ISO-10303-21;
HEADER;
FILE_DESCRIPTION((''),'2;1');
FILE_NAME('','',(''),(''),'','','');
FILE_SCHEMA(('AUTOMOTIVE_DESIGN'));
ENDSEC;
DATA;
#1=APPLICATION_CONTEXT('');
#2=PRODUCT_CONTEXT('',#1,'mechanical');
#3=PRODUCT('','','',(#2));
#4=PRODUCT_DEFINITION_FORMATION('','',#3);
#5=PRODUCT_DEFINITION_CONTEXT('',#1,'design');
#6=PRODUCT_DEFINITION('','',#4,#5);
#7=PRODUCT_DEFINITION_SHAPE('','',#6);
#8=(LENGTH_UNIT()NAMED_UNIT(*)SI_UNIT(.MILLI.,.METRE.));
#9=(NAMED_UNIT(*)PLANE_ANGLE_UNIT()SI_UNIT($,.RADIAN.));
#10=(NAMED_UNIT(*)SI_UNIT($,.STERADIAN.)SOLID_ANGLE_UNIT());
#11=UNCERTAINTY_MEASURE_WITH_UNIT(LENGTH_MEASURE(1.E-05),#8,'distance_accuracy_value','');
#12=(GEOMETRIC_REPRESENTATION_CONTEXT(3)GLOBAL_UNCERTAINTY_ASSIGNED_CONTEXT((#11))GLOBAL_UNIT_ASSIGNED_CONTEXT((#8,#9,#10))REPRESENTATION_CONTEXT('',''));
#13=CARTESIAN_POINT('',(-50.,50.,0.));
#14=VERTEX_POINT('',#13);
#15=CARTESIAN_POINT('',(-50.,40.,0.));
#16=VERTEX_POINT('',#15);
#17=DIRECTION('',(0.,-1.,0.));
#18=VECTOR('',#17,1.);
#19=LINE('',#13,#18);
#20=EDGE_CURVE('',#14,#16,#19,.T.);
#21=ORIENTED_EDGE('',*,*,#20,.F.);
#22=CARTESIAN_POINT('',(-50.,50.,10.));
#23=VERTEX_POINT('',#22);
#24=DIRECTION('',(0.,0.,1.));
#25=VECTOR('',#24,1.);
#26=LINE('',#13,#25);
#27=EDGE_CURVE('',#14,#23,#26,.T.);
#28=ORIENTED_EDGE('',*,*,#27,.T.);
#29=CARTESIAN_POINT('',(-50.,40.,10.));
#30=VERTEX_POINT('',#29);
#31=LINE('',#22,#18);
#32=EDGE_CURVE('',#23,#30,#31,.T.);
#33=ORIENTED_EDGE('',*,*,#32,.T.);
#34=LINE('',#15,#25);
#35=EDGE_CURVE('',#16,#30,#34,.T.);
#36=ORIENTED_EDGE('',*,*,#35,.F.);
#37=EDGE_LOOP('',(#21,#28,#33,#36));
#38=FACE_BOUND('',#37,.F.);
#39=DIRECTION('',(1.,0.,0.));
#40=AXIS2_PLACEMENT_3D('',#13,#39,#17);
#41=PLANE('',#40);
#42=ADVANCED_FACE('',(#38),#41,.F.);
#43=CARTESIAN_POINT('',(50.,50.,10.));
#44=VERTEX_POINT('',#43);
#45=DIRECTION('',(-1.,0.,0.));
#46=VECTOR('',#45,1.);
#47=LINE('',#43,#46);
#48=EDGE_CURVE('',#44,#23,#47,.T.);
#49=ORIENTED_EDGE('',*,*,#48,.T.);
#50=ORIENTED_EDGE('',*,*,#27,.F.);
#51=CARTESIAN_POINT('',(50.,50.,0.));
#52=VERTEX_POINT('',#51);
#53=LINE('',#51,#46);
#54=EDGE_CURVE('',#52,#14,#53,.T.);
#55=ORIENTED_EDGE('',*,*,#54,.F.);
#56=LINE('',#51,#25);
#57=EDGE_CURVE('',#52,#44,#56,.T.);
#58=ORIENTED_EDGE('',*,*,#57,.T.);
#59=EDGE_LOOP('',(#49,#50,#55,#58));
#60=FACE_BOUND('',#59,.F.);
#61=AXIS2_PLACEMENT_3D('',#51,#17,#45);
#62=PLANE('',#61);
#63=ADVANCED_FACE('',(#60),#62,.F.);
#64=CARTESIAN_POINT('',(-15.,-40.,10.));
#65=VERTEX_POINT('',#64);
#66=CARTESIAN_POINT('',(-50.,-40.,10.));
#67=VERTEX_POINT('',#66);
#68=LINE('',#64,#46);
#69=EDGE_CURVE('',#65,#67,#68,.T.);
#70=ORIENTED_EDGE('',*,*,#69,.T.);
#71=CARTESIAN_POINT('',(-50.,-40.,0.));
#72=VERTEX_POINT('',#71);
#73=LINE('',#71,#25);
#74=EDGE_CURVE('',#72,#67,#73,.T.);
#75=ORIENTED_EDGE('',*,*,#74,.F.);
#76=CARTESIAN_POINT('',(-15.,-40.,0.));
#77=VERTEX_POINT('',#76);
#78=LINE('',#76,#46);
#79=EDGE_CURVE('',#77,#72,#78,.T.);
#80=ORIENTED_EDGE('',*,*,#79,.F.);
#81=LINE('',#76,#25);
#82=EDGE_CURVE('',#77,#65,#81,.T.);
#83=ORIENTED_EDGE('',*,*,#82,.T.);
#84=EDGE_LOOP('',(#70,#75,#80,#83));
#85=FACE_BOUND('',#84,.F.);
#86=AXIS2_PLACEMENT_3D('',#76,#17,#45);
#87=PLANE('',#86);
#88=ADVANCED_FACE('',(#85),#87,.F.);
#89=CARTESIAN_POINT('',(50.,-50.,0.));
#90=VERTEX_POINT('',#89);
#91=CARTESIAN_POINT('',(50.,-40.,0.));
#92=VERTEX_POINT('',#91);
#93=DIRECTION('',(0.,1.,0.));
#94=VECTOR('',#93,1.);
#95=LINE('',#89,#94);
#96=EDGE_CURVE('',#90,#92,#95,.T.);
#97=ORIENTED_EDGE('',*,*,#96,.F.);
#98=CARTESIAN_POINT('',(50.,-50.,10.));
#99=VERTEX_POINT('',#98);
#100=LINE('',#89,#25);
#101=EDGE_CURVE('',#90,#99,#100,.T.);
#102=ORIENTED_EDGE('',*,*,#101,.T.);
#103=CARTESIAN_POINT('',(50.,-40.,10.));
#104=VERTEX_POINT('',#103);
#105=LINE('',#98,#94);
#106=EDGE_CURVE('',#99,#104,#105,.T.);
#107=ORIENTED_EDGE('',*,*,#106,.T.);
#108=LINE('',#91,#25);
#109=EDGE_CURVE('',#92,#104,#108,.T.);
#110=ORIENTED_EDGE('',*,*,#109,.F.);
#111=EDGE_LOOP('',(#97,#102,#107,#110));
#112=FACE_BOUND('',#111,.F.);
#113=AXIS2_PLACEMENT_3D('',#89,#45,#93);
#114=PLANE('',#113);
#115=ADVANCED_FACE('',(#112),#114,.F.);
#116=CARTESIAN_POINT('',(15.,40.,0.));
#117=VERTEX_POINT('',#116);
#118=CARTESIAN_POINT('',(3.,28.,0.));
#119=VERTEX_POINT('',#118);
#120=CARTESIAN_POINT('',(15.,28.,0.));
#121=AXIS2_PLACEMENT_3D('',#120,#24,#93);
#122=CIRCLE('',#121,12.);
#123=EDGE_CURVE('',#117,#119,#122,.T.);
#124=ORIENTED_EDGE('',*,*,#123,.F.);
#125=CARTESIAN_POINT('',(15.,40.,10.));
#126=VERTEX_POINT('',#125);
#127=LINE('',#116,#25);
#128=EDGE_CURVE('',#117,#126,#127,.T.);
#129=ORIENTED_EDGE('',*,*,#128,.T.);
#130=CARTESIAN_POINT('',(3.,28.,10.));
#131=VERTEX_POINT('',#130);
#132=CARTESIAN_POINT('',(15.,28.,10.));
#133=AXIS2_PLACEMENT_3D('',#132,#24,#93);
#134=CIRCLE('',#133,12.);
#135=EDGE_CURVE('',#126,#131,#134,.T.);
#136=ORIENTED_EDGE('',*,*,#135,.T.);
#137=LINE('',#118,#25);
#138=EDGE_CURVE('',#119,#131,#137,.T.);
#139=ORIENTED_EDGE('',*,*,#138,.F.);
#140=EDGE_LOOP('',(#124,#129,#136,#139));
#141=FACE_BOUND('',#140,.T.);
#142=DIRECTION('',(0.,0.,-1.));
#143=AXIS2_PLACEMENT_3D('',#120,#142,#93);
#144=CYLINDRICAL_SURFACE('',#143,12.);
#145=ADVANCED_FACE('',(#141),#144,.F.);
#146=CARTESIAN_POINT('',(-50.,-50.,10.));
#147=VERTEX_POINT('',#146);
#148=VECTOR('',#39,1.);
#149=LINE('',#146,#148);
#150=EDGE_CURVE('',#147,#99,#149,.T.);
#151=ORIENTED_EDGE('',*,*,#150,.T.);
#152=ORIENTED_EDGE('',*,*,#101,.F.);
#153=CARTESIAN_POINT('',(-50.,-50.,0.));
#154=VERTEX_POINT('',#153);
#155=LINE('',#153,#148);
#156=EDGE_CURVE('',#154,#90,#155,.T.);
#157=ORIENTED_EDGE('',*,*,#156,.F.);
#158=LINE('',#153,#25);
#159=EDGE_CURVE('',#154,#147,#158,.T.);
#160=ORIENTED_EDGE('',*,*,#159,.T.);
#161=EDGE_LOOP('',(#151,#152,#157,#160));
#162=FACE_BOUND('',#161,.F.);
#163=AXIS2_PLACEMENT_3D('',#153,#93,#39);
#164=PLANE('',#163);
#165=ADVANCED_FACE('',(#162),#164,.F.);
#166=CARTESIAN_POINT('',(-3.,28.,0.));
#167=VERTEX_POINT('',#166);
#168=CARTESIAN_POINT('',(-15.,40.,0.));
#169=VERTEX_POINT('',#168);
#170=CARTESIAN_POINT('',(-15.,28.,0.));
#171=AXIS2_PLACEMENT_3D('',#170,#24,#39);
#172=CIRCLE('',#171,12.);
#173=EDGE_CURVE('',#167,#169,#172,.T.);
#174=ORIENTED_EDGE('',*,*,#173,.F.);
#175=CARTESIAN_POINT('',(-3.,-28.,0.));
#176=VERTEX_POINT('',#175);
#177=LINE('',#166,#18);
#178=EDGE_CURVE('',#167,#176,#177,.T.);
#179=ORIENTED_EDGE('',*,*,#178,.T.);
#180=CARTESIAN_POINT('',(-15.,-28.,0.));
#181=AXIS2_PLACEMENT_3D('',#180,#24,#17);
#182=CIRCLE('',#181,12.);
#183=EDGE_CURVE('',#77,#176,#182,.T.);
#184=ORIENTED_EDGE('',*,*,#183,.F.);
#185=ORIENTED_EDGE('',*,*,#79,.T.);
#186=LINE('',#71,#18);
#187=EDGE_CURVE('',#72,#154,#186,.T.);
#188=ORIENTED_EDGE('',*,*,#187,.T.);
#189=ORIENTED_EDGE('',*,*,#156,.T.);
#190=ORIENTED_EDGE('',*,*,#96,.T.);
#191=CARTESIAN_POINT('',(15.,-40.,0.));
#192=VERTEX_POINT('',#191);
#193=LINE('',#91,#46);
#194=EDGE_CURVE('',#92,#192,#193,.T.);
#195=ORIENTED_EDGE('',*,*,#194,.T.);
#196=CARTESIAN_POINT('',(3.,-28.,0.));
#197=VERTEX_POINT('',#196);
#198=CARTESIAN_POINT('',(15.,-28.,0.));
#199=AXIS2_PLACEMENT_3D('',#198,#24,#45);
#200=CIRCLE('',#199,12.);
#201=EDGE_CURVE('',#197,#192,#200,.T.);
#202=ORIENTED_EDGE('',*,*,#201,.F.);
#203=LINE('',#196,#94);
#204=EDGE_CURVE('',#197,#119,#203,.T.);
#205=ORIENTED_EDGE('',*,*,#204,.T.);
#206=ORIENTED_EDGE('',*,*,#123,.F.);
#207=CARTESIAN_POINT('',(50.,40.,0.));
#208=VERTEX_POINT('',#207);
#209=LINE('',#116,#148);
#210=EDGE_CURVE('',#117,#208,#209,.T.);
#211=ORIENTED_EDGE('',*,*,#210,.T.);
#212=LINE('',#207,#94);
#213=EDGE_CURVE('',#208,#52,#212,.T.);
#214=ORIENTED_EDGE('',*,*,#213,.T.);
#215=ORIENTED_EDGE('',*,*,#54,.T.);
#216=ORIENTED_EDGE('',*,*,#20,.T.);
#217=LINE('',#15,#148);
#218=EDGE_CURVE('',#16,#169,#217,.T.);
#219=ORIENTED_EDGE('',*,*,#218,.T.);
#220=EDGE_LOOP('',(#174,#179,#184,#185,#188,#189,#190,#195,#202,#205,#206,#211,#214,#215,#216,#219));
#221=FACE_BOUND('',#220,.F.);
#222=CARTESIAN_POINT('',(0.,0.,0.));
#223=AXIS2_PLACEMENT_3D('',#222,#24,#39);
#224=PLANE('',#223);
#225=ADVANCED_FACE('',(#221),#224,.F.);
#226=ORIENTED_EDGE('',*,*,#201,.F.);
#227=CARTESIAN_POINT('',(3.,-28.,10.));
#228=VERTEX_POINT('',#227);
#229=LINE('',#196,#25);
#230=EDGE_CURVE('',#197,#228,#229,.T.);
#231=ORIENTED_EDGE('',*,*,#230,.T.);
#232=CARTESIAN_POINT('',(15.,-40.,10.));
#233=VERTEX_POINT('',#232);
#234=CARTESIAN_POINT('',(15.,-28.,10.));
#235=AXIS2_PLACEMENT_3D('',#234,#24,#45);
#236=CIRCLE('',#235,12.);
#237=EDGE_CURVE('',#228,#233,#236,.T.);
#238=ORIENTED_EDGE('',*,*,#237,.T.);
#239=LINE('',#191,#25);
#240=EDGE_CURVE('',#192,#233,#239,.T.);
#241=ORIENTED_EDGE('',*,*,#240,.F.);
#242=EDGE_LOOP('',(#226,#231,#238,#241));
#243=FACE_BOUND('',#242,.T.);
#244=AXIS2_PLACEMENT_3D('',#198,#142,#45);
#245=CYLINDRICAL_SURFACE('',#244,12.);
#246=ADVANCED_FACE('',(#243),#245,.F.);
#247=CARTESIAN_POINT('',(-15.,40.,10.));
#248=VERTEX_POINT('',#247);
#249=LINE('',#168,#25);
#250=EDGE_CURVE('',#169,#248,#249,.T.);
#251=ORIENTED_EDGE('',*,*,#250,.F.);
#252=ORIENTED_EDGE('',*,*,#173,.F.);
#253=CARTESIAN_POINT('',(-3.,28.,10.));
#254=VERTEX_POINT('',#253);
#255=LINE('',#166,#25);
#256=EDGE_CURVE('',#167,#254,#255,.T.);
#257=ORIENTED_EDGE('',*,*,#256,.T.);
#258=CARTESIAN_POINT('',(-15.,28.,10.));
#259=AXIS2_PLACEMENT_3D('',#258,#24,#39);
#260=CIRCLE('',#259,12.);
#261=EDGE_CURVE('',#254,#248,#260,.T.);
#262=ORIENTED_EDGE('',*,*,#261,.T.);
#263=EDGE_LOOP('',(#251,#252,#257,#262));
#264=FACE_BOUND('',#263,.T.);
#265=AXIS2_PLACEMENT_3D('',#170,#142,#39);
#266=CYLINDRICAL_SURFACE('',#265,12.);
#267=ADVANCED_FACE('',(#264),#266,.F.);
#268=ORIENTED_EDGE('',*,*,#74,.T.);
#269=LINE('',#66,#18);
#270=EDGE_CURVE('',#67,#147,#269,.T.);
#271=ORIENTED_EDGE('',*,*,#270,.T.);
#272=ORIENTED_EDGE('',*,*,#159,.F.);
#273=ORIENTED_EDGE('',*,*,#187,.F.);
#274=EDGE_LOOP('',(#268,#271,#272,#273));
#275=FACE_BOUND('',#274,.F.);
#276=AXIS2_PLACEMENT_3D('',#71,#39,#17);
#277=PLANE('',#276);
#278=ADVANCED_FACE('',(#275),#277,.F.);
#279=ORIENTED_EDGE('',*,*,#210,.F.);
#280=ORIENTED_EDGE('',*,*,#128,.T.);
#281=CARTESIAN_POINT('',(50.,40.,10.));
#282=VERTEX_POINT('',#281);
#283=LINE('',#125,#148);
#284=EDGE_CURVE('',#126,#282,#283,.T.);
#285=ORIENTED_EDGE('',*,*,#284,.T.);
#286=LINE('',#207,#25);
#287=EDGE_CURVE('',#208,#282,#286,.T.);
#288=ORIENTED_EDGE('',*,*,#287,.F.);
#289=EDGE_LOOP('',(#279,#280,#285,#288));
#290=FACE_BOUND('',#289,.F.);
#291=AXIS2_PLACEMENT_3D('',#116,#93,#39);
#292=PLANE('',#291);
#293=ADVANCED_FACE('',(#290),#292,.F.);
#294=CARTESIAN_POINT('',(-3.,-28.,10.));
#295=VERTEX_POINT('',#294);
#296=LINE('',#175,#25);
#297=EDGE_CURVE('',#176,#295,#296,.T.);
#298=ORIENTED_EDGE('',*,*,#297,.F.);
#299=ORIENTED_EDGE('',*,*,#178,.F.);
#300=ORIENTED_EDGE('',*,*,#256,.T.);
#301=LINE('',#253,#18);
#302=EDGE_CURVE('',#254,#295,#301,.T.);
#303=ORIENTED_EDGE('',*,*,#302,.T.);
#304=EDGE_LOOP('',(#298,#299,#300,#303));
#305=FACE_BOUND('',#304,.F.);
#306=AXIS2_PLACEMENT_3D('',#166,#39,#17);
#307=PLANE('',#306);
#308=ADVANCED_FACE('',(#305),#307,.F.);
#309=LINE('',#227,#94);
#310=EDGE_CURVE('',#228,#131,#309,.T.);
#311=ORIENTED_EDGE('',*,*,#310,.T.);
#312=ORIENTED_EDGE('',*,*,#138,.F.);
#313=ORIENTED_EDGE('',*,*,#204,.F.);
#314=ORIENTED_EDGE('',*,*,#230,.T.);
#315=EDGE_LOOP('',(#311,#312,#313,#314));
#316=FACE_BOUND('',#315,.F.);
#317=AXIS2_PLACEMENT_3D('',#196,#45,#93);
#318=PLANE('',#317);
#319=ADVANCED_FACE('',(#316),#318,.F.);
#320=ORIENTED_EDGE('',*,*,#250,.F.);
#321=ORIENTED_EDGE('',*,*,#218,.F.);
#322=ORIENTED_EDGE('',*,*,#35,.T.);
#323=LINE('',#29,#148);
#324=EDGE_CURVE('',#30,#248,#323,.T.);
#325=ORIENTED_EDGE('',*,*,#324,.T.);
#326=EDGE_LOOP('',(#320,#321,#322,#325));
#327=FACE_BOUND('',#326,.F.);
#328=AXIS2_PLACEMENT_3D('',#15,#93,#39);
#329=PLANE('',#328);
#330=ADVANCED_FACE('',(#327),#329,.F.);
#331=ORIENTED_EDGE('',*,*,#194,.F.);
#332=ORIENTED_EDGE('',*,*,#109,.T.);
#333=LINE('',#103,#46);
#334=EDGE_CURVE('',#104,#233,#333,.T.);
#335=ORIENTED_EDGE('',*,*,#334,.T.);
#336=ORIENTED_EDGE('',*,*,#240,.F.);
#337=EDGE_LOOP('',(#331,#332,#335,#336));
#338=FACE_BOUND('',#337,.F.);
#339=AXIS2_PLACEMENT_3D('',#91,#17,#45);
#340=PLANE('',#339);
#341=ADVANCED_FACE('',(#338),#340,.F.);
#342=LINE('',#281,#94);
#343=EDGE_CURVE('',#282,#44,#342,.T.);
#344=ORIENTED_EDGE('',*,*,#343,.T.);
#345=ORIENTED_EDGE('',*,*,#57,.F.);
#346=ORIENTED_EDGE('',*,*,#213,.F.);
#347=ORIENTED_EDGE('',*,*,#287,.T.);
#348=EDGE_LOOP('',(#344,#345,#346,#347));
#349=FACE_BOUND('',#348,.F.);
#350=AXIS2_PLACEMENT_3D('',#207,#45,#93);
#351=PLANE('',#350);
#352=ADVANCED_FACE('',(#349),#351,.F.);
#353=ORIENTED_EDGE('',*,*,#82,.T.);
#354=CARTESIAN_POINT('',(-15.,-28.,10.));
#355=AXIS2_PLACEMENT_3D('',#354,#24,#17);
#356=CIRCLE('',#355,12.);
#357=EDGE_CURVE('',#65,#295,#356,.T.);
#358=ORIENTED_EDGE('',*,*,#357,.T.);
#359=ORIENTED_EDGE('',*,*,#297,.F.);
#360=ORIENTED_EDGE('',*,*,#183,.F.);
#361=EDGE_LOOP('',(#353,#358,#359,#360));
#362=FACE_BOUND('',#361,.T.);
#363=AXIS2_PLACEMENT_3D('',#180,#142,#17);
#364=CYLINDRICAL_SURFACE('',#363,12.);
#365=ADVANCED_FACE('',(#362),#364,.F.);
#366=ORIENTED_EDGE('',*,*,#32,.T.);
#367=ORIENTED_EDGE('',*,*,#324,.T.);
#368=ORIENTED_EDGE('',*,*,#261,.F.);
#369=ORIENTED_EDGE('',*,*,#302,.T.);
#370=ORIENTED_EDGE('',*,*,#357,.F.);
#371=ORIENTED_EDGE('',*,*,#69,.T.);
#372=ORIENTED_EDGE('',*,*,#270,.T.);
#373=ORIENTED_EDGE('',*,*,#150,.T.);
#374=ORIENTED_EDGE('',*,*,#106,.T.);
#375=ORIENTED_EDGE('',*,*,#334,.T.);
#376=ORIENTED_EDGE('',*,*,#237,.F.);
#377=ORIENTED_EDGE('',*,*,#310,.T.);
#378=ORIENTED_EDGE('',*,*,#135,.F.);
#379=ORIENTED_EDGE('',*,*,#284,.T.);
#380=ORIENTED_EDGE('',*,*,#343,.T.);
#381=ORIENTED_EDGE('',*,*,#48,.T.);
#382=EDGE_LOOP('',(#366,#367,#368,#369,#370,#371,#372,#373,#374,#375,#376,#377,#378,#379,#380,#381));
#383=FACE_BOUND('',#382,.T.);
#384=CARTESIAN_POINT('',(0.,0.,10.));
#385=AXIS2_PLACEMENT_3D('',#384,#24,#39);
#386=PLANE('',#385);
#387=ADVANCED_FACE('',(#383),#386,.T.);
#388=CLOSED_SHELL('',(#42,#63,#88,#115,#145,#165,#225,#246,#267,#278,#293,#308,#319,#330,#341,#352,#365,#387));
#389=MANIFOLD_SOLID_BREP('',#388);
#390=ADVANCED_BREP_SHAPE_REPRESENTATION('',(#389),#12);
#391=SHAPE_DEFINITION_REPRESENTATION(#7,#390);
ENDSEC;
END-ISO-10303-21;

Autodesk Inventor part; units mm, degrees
ref_plane "YZ Plane" through (0, 0, 0) normal (1, 0, 0) x (0, 1, 0)
ref_plane "XZ Plane" through (0, 0, 0) normal (0, 1, 0) x (-1, 0, 0)
ref_plane "XY Plane" through (0, 0, 0) normal (0, 0, 1) x (1, 0, 0)
sketch "Блок1" plane through (0, 0, 0) normal (0, 0, 1) x (1, 0, 0)
  line L0 (-15, -40) -> (-50, -40)
  line L1 (-50, -40) -> (-50, -50)
  arc A0 (-15, -40) -> (-3, -28) centre (-15, -28) ccw
  arc A1 (3, -28) -> (15, -40) centre (15, -28) ccw
  line L2 (50, -40) -> (15, -40)
  line L3 (-50, -50) -> (50, -50)
  line L4 (15, 40) -> (50, 40)
  line L5 (50, 50) -> (-50, 50)
  line L6 (50, 40) -> (50, 50)
  line L7 (3, -28) -> (3, 28)
  line L8 (-3, 28) -> (-3, -28)
  line L9 (-50, 40) -> (-15, 40)
  arc A2 (-3, 28) -> (-15, 40) centre (-15, 28) ccw
  arc A3 (15, 40) -> (3, 28) centre (15, 28) ccw
  line L10 (-50, 50) -> (-50, 40)
  line L11 (50, -50) -> (50, -40)
  line L12 (-3, 0) -> (3, 0) construction
  point P0 (0, 0)
  point P1 (3, 40)
  point P2 (-3, 40)
  point P3 (0, 0)
  dimension "d12" = 100
  dimension "d13" = 100
  dimension "d14" = 6
  dimension "d15" = 10
  dimension "d16" = 12
sketch "Эскиз1" plane through (0, 0, 0) normal (0, 0, 1) x (1, 0, 0)
  line L0 (-3, 0) -> (3, 0) construction
  line L1 (-50, 40) -> (-15, 40)
  line L2 (-50, 50) -> (-50, 40)
  line L3 (50, 50) -> (-50, 50)
  line L4 (50, 40) -> (50, 50)
  line L5 (15, 40) -> (50, 40)
  line L6 (3, -28) -> (3, 28)
  line L7 (50, -40) -> (15, -40)
  line L8 (50, -50) -> (50, -40)
  line L9 (-50, -40) -> (-50, -50)
  line L10 (-15, -40) -> (-50, -40)
  line L11 (-3, 28) -> (-3, -28)
  arc A0 (-15, -40) -> (-3, -28) centre (-15, -28) ccw
  arc A1 (-3, 28) -> (-15, 40) centre (-15, 28) ccw
  arc A2 (15, 40) -> (3, 28) centre (15, 28) ccw
  arc A3 (3, -28) -> (15, -40) centre (15, -28) ccw
  line L12 (-50, -50) -> (50, -50)
  line L13 (0, 0) -> (0, 10) construction
  point P0 (-3, 40)
  point P1 (3, 40)
  dimension "d63" = 100
  dimension "d64" = 100
  dimension "d65" = 6
  dimension "d66" = 10
  dimension "d67" = 12
  dimension "d126" = 10
  dimension "d127" = 90
extrude "Выдавливание5" add sketch "Эскиз1" along normal blind 10
equation "\"d12\" = ParH"
equation "\"d13\" = b"
equation "\"d14\" = t1"
equation "\"d15\" = t2"
equation "\"d16\" = R1"
equation "\"d63\" = ParH"
equation "\"d64\" = b"
equation "\"d65\" = t1"
equation "\"d66\" = t2"
equation "\"d67\" = R1"
equation "\"ParH\" = 100"
equation "\"b\" = 100"
equation "\"t1\" = 6"
equation "\"t2\" = 10"
equation "\"R1\" = 12"
equation "\"Height\" = 96"
equation "\"Thickness1\" = 5"
equation "\"Thickness2\" = 8"
properties part number "IPB" material "Ст3сп ДСТУ 2651"
